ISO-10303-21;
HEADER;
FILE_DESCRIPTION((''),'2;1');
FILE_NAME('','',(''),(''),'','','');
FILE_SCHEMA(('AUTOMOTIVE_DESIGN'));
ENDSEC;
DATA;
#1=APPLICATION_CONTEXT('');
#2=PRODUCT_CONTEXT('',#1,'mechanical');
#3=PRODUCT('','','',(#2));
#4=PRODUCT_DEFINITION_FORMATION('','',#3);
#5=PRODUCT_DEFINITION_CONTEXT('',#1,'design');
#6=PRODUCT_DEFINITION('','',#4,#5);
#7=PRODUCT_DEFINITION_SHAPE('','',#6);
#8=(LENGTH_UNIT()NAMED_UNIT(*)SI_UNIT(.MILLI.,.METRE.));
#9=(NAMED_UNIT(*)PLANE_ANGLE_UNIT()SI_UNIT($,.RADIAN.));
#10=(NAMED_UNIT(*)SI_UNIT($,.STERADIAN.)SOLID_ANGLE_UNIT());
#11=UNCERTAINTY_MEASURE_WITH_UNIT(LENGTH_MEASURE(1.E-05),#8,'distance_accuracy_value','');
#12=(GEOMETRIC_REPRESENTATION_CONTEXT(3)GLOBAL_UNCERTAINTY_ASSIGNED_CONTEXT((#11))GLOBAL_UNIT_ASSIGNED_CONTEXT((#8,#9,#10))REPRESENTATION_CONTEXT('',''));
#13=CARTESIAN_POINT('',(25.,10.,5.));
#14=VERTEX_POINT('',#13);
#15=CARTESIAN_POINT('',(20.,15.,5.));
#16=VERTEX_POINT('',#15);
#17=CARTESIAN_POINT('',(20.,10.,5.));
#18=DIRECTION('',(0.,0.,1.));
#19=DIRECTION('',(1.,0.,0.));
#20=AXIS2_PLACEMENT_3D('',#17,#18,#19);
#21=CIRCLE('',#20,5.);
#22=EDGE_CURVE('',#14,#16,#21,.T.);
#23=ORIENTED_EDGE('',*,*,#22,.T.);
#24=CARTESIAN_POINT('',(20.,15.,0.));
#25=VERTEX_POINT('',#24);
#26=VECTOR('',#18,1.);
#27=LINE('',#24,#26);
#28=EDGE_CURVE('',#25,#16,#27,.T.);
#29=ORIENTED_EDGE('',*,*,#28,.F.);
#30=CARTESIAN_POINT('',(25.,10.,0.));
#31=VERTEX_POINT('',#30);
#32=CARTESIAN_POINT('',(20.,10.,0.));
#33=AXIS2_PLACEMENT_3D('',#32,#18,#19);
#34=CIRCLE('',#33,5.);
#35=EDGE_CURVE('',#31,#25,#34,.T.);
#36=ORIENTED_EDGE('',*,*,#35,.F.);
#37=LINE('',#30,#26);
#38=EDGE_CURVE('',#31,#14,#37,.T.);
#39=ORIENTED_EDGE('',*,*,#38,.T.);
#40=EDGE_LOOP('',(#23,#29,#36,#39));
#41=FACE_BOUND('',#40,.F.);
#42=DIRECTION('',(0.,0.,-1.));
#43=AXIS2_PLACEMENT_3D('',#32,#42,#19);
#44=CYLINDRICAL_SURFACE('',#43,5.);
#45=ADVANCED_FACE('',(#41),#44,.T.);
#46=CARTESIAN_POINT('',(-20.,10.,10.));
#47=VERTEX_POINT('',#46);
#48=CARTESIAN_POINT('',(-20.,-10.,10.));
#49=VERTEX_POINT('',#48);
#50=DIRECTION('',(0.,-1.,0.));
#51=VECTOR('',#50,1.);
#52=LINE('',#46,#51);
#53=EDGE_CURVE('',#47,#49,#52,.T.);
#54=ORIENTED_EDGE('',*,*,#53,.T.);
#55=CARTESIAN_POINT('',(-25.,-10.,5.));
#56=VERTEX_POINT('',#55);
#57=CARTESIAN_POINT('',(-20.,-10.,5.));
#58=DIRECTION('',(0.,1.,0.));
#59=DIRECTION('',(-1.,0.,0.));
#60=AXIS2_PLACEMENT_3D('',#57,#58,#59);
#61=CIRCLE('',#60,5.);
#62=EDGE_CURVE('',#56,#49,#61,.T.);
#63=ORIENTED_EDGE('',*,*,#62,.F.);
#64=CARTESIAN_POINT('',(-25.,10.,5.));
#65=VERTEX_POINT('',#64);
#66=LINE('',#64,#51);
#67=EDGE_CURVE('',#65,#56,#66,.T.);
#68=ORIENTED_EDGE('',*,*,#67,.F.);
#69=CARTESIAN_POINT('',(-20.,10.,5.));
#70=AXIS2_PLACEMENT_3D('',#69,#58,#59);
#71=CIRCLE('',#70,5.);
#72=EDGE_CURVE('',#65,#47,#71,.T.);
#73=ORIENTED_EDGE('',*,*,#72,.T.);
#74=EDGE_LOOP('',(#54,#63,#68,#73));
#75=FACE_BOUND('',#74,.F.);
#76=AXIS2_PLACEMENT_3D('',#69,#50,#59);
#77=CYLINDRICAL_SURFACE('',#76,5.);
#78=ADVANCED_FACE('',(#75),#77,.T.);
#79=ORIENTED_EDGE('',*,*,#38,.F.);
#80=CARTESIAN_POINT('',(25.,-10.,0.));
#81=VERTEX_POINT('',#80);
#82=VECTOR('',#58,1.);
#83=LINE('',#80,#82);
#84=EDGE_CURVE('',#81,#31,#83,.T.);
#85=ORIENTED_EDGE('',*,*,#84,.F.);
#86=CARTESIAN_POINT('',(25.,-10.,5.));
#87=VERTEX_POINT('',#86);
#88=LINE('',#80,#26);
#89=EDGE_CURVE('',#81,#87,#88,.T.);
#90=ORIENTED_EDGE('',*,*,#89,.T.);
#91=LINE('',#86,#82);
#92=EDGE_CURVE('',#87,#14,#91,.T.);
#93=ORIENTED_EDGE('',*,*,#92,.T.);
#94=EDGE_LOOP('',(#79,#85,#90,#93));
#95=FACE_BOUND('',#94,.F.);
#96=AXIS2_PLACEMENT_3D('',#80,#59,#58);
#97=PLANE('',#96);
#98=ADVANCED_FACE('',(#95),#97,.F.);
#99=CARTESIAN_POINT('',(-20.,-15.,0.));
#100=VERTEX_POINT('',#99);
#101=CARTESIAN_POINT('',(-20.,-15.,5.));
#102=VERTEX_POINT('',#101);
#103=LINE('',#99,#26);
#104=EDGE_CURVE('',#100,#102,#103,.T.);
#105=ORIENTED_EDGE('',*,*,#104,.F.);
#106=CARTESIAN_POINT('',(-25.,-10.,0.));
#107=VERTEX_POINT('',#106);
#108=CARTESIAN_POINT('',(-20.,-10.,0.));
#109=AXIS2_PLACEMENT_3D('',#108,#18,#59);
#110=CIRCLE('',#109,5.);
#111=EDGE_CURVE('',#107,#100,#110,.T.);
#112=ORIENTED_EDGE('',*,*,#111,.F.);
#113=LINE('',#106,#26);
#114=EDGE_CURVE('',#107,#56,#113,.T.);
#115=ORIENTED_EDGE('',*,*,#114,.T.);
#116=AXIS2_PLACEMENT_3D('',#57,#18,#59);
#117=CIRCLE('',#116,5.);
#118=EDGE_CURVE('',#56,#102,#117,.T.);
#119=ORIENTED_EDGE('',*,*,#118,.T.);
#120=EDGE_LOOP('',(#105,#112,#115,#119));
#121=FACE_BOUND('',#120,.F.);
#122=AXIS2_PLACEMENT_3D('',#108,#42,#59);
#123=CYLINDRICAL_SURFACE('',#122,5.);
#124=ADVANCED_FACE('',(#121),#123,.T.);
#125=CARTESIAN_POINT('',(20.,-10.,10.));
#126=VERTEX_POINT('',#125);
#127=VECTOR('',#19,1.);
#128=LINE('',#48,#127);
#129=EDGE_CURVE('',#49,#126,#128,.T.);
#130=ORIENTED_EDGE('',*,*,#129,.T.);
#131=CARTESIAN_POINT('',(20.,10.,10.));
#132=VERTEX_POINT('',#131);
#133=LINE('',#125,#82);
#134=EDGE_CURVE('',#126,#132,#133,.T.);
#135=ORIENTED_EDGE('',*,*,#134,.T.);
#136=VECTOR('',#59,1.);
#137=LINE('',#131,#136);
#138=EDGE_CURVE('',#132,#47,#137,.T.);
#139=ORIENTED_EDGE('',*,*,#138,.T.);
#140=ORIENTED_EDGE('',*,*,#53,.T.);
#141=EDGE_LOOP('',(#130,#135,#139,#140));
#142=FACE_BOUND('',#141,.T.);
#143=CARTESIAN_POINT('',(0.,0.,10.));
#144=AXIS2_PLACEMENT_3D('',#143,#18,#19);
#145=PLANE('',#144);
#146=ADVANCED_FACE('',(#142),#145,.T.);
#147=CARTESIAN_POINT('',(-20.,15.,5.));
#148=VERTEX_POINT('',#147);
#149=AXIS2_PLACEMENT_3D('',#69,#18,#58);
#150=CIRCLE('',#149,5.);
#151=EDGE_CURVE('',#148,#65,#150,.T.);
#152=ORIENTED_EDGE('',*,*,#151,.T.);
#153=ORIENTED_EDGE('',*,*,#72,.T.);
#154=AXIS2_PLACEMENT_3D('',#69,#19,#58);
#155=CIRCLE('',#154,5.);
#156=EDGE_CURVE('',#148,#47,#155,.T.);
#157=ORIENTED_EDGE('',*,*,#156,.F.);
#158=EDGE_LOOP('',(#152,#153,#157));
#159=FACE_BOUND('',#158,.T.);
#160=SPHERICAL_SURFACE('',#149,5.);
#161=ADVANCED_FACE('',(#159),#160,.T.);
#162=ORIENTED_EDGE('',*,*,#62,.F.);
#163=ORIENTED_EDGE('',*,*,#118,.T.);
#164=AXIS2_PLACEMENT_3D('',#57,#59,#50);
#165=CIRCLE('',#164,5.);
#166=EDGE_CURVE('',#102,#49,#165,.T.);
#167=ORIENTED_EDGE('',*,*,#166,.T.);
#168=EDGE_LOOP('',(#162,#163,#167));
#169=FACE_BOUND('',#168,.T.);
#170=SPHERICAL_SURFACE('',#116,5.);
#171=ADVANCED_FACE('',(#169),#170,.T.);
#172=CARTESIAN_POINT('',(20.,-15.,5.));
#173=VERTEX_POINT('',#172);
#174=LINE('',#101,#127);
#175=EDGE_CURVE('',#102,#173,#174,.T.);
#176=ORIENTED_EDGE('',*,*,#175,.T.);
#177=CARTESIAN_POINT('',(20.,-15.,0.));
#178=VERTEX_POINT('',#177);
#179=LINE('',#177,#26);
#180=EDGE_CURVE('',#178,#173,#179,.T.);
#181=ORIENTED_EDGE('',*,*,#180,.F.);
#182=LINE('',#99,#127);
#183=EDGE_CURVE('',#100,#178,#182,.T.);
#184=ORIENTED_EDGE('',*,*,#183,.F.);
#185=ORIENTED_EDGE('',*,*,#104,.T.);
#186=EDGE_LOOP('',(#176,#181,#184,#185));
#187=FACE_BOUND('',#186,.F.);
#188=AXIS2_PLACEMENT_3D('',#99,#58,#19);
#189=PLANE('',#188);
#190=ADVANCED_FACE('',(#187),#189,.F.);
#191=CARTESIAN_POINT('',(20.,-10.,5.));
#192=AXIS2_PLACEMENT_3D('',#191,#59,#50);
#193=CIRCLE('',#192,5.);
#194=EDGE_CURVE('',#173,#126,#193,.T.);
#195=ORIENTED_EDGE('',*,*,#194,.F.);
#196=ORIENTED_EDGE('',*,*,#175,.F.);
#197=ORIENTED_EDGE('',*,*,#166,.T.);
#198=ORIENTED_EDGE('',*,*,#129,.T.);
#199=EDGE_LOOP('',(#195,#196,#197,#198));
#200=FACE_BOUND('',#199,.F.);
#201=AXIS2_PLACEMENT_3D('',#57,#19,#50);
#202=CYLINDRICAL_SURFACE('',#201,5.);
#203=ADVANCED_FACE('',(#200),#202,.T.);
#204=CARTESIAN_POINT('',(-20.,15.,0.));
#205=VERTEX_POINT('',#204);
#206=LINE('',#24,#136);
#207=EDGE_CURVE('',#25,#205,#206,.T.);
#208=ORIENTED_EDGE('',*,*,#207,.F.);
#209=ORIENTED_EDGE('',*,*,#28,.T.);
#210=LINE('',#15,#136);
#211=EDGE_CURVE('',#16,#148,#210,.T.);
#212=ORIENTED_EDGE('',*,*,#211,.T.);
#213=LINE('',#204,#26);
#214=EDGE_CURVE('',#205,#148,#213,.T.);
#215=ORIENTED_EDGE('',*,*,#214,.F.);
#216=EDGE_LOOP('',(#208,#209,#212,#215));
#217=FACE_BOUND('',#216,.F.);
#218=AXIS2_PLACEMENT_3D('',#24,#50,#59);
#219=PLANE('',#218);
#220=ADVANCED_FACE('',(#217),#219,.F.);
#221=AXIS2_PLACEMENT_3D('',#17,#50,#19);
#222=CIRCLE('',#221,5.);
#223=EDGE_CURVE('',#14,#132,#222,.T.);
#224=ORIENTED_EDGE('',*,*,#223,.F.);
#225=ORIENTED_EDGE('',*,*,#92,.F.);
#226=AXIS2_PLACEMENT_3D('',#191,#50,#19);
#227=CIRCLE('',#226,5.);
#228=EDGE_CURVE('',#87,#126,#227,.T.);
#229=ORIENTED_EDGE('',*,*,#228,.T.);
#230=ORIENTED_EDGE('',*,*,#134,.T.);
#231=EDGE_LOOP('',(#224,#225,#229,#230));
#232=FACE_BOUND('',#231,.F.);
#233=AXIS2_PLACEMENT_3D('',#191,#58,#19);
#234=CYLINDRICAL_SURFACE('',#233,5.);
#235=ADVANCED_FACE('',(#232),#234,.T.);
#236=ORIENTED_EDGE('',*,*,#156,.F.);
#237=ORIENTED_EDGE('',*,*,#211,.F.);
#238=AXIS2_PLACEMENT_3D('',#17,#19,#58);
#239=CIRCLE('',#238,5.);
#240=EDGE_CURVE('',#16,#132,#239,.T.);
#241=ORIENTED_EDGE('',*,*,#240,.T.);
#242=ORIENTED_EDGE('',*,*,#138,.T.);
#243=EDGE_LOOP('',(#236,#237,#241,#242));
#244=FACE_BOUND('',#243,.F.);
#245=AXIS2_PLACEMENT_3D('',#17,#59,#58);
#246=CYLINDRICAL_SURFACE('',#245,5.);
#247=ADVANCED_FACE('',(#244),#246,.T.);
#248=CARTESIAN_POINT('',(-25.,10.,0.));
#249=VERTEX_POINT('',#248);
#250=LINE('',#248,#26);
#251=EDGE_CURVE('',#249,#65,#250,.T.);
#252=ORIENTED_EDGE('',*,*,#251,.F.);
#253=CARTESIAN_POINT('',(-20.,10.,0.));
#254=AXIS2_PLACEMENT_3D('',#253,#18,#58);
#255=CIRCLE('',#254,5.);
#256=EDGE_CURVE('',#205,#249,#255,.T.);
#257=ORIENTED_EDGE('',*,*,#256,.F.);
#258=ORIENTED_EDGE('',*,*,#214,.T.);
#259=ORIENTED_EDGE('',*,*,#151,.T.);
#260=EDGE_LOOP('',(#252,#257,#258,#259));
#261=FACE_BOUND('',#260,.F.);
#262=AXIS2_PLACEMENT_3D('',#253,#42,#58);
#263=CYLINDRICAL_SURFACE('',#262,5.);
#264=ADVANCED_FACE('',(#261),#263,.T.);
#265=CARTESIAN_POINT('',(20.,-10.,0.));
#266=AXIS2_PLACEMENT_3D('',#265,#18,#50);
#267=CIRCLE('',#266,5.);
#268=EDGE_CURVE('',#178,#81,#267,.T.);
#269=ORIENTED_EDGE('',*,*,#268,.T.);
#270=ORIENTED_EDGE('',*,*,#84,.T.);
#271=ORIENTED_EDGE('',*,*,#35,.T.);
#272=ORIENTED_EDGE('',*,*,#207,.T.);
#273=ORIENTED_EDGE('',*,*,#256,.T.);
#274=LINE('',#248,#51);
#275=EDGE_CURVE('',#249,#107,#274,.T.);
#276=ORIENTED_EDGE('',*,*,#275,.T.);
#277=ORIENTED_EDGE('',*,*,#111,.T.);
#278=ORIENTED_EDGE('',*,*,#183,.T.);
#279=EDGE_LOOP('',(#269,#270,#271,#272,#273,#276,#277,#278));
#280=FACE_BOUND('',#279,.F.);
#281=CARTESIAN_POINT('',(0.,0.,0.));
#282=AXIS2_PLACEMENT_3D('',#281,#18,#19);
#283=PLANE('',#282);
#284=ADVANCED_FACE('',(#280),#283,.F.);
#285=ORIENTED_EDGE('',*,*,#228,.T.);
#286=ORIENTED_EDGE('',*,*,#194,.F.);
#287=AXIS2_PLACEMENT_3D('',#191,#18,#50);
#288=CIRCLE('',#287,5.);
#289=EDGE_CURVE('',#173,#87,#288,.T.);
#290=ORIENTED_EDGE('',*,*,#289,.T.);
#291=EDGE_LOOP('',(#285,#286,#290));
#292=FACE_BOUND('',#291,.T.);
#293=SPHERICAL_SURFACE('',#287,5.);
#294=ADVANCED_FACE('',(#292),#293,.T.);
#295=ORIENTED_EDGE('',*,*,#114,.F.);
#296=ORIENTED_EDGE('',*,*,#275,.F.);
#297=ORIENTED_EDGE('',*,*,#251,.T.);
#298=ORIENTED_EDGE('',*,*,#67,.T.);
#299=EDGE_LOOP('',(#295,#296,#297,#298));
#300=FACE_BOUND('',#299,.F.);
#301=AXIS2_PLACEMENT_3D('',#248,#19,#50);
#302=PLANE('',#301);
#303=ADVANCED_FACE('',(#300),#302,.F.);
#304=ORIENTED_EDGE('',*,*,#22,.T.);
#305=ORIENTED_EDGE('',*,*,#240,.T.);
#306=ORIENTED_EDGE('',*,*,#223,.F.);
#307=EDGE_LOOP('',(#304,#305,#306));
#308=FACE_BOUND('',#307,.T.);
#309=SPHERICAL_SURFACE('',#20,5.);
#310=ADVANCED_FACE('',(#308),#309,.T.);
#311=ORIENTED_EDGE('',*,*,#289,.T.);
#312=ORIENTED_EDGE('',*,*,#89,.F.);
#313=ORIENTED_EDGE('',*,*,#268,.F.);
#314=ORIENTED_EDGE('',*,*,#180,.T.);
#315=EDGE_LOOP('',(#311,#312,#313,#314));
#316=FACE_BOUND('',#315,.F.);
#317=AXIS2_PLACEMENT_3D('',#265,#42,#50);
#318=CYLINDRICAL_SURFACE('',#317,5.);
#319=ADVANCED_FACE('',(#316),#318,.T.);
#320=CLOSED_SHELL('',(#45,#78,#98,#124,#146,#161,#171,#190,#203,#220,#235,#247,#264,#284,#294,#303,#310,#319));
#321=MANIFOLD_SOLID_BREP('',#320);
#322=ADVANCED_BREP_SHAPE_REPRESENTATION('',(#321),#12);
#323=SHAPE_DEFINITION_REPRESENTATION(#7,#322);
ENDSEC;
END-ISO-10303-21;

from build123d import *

# Parameters (mm, degrees)
F1_DEPTH = 10
F2_R     = 5


with BuildPart() as f1:
    # F0 (on Top) → F1 (new body)
    with BuildSketch(Plane.XY):
        with BuildLine():
            Line((-20, -15), (20, -15))
            ThreePointArc((20, -15), (23.5355339059, -13.5355339059), (25, -10))
            Line((25, -10), (25, 10))
            ThreePointArc((25, 10), (23.5355339059, 13.5355339059), (20, 15))
            Line((20, 15), (-20, 15))
            ThreePointArc((-20, 15), (-23.5355339059, 13.5355339059), (-25, 10))
            Line((-25, 10), (-25, -10))
            ThreePointArc((-25, -10), (-23.5355339059, -13.5355339059), (-20, -15))
        make_face()
    extrude(amount=F1_DEPTH)

    # F2
    f2_edges = [f1.edges().sort_by_distance(p)[0] for p in [
        (-25, 0, 10),
    ]]
    fillet(f2_edges, radius=F2_R)


solid = f1.part
